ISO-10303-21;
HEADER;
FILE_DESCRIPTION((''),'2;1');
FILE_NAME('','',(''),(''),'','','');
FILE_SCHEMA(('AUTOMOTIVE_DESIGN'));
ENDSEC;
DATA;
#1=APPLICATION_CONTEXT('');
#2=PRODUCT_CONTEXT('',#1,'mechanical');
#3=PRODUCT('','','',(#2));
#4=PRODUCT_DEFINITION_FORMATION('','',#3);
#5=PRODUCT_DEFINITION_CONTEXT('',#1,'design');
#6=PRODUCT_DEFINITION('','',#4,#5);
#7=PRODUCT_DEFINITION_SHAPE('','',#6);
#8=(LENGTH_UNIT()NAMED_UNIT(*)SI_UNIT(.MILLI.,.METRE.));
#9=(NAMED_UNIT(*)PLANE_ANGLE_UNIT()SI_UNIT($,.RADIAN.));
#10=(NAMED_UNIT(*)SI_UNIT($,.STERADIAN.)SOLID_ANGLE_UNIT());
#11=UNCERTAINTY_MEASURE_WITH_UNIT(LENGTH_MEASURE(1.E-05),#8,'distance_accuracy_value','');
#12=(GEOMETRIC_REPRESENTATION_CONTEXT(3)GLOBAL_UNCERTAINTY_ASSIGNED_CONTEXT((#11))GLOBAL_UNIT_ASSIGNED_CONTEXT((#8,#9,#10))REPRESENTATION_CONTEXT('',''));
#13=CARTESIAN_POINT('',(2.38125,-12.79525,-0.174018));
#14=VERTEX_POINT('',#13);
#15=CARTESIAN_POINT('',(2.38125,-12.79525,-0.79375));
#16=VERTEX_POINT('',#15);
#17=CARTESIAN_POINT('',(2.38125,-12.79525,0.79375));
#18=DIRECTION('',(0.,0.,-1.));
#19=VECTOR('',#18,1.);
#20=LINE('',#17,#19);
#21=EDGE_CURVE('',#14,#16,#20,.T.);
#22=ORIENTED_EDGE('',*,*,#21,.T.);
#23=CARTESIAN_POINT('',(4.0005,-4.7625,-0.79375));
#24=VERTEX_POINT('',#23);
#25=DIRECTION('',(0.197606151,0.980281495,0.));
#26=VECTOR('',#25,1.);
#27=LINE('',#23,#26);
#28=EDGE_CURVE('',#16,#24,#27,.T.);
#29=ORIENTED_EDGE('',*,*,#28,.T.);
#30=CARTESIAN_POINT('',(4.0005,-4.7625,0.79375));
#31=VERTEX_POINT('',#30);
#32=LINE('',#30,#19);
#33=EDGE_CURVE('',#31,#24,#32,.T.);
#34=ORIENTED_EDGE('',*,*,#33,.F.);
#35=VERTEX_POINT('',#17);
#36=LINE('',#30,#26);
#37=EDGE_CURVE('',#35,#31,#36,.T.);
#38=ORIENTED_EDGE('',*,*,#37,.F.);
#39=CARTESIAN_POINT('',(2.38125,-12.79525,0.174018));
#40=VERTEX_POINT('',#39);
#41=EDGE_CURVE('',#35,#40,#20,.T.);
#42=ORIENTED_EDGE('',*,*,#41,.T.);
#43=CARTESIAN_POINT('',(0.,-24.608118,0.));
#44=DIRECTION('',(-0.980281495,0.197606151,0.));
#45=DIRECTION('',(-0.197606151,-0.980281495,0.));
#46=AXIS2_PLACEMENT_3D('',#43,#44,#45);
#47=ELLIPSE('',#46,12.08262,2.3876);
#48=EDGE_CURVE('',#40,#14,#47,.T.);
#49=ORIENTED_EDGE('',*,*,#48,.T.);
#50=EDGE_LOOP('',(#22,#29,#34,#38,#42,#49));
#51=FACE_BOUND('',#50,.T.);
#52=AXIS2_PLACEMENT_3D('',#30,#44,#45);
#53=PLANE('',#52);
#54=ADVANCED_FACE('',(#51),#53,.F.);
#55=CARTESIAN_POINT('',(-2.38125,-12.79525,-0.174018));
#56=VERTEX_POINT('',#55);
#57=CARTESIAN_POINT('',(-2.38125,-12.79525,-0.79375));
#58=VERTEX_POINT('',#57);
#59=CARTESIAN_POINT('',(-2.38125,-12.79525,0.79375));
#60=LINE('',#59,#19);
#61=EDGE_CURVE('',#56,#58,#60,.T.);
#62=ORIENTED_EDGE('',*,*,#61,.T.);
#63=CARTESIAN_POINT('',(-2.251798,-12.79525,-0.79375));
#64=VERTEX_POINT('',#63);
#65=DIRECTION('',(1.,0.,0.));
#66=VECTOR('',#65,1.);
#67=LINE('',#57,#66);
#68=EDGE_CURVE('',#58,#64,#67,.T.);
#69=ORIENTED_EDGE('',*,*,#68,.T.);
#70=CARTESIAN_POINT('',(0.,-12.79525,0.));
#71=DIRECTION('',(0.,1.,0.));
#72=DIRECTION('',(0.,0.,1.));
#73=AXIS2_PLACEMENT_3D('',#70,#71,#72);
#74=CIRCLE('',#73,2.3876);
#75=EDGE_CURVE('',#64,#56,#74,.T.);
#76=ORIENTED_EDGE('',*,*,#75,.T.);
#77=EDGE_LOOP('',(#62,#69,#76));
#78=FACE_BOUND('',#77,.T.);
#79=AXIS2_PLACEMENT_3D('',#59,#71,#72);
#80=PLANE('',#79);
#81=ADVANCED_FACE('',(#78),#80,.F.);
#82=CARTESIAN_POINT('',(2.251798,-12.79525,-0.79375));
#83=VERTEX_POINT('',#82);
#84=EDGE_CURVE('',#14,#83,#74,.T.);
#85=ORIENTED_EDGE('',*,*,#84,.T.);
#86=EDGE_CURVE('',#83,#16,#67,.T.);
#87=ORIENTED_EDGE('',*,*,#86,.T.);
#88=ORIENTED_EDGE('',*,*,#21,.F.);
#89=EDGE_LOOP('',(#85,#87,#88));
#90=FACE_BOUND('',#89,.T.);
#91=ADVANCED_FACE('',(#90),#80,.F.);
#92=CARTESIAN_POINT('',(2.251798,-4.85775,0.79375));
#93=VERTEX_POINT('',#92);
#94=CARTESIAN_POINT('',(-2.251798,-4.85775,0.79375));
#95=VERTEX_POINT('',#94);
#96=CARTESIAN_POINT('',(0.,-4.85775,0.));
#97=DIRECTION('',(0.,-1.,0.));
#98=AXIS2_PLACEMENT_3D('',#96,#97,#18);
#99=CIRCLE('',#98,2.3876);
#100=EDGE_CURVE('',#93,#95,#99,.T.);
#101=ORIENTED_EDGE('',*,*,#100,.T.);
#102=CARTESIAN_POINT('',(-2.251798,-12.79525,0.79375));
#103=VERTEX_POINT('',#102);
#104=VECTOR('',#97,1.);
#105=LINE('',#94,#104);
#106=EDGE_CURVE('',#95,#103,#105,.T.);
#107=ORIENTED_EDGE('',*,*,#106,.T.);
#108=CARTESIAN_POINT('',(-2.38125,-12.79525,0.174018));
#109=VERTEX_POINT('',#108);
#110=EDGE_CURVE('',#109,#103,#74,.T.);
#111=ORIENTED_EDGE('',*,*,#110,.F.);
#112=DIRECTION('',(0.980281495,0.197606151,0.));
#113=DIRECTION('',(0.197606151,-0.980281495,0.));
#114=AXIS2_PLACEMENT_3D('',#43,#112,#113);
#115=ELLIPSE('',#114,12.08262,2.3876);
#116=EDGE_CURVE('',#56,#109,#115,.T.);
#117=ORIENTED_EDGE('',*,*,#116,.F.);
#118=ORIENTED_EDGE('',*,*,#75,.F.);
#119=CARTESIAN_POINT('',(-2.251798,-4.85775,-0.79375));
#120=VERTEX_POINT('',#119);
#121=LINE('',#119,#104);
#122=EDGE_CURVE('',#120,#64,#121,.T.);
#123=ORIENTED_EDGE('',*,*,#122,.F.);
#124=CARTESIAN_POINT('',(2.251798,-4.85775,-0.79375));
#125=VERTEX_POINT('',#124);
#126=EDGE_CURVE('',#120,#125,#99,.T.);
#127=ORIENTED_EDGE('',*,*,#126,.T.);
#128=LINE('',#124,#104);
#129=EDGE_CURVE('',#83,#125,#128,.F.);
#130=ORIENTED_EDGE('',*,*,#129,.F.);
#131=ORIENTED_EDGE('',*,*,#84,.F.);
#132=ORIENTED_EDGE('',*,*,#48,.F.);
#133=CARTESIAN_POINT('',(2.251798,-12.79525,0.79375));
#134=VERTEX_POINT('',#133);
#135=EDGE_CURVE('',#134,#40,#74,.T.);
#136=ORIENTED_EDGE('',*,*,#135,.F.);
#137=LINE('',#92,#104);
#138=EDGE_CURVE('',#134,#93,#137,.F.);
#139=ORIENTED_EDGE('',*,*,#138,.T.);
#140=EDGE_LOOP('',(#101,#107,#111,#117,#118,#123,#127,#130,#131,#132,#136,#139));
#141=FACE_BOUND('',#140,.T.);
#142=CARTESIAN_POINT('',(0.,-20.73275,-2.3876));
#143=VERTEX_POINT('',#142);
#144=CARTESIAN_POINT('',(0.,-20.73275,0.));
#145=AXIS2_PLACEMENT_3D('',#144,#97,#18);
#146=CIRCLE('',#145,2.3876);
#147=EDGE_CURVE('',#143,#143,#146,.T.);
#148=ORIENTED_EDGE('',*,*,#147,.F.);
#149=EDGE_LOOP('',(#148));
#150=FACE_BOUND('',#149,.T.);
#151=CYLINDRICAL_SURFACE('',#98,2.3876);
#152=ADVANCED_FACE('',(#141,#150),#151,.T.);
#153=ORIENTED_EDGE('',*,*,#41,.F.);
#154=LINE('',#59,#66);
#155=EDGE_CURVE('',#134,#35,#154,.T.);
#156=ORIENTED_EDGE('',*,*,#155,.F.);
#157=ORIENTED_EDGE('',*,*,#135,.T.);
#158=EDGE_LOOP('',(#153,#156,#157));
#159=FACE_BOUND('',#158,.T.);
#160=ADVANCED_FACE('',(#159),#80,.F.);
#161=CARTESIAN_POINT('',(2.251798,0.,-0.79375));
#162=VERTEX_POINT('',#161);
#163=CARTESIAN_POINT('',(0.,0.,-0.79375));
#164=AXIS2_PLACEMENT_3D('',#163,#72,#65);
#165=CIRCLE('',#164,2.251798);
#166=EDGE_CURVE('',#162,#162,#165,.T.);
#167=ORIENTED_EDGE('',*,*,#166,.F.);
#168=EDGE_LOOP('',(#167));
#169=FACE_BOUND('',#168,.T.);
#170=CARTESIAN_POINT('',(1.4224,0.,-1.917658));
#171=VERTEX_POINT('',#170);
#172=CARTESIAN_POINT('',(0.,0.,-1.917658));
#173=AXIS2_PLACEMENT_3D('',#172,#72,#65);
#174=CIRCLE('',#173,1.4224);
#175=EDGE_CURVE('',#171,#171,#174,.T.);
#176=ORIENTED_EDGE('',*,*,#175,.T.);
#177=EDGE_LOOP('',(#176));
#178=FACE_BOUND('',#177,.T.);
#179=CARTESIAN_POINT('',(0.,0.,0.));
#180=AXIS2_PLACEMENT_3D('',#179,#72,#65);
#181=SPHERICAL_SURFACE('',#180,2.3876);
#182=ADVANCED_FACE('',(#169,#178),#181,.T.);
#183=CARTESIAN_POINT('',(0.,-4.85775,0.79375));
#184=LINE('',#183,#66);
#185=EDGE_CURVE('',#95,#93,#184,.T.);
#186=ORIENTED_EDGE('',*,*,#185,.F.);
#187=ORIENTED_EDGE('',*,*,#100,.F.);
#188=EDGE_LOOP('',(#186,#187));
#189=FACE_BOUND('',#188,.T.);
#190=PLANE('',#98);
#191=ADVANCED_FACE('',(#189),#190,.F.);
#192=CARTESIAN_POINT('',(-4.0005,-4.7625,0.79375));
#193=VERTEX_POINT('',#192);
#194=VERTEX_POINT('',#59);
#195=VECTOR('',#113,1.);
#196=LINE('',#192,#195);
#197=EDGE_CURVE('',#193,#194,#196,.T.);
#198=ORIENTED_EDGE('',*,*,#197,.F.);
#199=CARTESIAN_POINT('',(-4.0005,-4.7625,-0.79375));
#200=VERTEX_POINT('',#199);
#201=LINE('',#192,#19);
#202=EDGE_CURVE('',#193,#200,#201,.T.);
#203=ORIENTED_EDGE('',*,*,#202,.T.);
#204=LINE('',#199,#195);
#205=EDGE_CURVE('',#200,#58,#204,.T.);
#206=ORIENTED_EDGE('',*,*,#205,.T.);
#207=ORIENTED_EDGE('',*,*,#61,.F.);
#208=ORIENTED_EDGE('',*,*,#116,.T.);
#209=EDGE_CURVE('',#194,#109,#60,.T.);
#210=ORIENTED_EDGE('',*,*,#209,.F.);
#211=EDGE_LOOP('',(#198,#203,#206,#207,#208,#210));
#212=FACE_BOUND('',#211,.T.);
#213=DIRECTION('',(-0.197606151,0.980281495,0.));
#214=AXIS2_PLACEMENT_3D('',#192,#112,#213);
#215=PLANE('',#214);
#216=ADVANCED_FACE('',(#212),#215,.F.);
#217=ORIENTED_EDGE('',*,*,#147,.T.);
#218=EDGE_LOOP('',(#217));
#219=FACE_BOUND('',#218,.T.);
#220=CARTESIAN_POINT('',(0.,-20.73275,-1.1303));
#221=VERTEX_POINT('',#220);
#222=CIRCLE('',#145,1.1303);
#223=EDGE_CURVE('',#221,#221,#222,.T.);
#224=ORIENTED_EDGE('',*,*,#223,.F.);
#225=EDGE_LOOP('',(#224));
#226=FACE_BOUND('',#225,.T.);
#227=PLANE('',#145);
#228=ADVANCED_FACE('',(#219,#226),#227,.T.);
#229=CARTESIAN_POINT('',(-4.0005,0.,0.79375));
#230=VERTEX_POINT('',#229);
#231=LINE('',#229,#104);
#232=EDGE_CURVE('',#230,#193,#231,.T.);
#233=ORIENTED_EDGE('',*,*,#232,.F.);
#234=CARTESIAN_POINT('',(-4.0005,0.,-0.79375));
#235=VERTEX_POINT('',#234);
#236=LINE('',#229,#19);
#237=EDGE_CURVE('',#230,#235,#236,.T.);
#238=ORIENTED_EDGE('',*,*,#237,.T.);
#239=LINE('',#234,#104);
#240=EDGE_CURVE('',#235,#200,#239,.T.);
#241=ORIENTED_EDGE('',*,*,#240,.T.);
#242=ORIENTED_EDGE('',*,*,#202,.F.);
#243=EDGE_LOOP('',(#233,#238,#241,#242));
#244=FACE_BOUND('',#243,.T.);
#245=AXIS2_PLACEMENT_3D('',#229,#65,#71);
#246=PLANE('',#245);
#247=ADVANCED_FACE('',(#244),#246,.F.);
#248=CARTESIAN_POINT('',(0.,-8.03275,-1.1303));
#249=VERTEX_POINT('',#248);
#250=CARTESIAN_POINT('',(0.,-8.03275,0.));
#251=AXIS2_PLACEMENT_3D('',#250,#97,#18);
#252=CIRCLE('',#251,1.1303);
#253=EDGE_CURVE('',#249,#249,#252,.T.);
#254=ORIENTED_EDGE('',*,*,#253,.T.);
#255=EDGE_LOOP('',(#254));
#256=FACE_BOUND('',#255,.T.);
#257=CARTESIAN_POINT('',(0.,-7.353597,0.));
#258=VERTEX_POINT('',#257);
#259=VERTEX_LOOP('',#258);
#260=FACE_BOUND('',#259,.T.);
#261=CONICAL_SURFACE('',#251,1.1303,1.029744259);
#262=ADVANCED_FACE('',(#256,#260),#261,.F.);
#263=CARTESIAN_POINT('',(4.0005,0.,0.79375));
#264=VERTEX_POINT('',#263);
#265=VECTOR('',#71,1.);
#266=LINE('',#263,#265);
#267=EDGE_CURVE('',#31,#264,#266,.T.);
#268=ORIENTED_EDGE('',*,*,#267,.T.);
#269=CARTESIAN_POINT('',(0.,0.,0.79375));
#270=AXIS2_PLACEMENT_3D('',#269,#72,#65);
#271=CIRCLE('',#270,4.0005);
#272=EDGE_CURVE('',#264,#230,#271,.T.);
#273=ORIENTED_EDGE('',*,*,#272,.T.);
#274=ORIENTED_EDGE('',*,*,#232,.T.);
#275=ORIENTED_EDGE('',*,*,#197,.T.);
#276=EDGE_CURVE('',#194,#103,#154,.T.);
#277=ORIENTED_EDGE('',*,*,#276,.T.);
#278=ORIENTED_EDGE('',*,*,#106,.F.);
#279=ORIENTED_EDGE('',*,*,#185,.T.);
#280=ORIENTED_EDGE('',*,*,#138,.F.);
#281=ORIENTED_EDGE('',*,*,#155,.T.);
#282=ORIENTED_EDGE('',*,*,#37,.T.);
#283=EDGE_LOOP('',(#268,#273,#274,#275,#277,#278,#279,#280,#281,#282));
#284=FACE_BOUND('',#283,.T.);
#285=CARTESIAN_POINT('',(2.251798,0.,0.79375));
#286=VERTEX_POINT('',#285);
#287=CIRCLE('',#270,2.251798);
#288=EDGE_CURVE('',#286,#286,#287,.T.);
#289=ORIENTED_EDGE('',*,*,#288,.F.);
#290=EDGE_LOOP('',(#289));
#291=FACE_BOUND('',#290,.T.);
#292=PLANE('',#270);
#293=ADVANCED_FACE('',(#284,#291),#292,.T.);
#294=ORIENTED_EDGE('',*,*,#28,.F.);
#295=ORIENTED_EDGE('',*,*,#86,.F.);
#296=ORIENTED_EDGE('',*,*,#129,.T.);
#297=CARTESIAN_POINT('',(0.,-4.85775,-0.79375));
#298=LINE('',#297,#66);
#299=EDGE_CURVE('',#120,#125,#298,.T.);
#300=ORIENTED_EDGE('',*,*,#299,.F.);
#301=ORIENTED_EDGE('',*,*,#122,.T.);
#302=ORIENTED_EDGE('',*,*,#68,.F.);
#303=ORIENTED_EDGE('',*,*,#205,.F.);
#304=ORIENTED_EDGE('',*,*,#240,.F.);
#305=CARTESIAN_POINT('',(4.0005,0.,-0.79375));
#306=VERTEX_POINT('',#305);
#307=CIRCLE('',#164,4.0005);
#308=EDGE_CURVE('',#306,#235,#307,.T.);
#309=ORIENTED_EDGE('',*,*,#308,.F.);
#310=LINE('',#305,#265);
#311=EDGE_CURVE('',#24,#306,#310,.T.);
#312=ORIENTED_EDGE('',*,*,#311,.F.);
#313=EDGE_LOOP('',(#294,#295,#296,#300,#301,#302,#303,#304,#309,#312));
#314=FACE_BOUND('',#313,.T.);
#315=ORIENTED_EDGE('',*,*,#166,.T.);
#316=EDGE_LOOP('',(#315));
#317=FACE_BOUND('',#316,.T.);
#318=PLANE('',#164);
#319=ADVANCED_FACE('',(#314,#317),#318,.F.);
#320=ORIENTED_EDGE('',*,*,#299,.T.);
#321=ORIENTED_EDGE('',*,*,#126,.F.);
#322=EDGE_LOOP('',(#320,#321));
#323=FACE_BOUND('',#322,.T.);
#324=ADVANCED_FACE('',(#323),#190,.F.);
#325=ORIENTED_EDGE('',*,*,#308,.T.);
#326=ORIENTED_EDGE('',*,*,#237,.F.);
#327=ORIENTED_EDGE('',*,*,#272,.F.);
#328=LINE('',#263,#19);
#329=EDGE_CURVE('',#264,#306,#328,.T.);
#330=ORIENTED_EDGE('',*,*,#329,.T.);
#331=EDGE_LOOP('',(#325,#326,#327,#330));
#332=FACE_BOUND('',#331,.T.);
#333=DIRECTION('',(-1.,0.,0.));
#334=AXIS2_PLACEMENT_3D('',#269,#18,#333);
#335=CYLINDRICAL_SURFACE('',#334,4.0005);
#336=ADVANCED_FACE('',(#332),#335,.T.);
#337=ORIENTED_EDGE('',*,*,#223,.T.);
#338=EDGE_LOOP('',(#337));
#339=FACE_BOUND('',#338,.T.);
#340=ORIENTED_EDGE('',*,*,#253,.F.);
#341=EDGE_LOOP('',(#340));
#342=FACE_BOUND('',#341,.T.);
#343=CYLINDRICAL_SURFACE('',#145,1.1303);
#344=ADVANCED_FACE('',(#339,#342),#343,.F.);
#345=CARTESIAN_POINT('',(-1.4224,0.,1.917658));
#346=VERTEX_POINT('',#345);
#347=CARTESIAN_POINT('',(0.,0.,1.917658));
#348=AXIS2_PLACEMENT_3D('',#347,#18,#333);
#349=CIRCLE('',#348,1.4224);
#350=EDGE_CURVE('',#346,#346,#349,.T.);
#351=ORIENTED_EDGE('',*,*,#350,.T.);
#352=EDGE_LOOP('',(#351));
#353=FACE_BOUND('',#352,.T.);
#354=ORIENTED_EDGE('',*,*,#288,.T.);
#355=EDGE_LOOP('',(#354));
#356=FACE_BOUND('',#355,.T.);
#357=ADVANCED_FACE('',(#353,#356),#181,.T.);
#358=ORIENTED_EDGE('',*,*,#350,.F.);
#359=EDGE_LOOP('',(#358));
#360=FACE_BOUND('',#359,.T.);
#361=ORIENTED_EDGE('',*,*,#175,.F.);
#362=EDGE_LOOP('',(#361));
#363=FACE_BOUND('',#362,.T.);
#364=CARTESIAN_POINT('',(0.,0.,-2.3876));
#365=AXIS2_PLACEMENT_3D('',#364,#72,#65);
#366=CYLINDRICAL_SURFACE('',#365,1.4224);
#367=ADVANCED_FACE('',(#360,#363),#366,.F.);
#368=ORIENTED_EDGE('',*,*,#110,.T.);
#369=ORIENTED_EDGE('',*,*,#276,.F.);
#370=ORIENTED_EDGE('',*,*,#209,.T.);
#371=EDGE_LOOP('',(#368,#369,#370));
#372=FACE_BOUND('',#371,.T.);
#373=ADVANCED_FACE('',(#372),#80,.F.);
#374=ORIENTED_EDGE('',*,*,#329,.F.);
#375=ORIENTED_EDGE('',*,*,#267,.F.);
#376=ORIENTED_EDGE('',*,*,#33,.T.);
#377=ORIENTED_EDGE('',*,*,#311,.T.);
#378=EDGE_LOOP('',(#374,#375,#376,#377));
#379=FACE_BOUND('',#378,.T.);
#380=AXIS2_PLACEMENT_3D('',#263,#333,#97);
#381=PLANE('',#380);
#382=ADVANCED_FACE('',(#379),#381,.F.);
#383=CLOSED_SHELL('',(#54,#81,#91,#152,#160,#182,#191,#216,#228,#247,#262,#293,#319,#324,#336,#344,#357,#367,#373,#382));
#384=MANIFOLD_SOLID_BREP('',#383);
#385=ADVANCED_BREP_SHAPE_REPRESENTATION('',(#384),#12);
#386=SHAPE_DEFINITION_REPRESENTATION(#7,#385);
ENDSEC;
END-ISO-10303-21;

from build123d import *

# Parameters (mm, degrees)
SKETCH3_R                 = 1.4224
CUT_EXTRUDE1_DEPTH        = 3.3876
CUT_EXTRUDE1_DEPTH_BACK   = 3.3876
SKETCH4_R                 = 1.4224
BOSS_EXTRUDE1_DEPTH       = 0.79375
SKETCH5_R                 = 2.3876
BOSS_EXTRUDE2_DEPTH       = 7.9375
F_4_40_TAPPED_HOLE1_D     = 2.2606
F_4_40_TAPPED_HOLE1_DEPTH = 12.7
F_4_40_TAPPED_HOLE1_TIP   = 0.679152758


with BuildPart() as part:
    # Sketch2 → Revolve1 (revolve)
    with BuildSketch(Plane.XY):
        with BuildLine():
            Line((0, 2.3876), (0, -2.3876))
            ThreePointArc((0, -2.3876), (2.3876, 0), (0, 2.3876))
        make_face()
    revolve(axis=Axis((0, 6.043929029, 0), (0, -1, 0)))

    # Sketch3 → Cut-Extrude1 (cut, two sides)
    with BuildSketch(Plane.XY) as cut_extrude1_sk:
        Circle(SKETCH3_R)
    extrude(amount=CUT_EXTRUDE1_DEPTH, mode=Mode.SUBTRACT)
    extrude(cut_extrude1_sk.sketch, amount=-CUT_EXTRUDE1_DEPTH_BACK, mode=Mode.SUBTRACT)

    # Sketch4 → Boss-Extrude1 (add, symmetric)
    with BuildSketch(Plane.XY):
        with BuildLine():
            Line((-4.0005, 0), (-4.0005, -4.7625))
            Line((-4.0005, -4.7625), (-2.38125, -12.79525))
            Line((-2.38125, -12.79525), (2.38125, -12.79525))
            Line((2.38125, -12.79525), (4.0005, -4.7625))
            Line((4.0005, -4.7625), (4.0005, 0))
            ThreePointArc((4.0005, 0), (0, 4.0005), (-4.0005, 0))
        make_face()
        Circle(SKETCH4_R, mode=Mode.SUBTRACT)
    extrude(amount=BOSS_EXTRUDE1_DEPTH, both=True)

    # Sketch5 → Boss-Extrude2 (add, symmetric)
    with BuildSketch(Plane.XZ.offset(12.79525)):
        Circle(SKETCH5_R)
    extrude(amount=BOSS_EXTRUDE2_DEPTH, both=True)

    # #4-40 Tapped Hole1
    with Locations(Plane(origin=(0, -20.73275, 0), x_dir=(-1, 0, 0), z_dir=(0, -1, 0))):
        with Locations((0, 0)):
            Hole(F_4_40_TAPPED_HOLE1_D / 2, depth=F_4_40_TAPPED_HOLE1_DEPTH)
            with Locations((0, 0, -(F_4_40_TAPPED_HOLE1_DEPTH + F_4_40_TAPPED_HOLE1_TIP / 2))):  # 118° drill point
                Cone(0, F_4_40_TAPPED_HOLE1_D / 2, F_4_40_TAPPED_HOLE1_TIP, mode=Mode.SUBTRACT)


solid = part.part
